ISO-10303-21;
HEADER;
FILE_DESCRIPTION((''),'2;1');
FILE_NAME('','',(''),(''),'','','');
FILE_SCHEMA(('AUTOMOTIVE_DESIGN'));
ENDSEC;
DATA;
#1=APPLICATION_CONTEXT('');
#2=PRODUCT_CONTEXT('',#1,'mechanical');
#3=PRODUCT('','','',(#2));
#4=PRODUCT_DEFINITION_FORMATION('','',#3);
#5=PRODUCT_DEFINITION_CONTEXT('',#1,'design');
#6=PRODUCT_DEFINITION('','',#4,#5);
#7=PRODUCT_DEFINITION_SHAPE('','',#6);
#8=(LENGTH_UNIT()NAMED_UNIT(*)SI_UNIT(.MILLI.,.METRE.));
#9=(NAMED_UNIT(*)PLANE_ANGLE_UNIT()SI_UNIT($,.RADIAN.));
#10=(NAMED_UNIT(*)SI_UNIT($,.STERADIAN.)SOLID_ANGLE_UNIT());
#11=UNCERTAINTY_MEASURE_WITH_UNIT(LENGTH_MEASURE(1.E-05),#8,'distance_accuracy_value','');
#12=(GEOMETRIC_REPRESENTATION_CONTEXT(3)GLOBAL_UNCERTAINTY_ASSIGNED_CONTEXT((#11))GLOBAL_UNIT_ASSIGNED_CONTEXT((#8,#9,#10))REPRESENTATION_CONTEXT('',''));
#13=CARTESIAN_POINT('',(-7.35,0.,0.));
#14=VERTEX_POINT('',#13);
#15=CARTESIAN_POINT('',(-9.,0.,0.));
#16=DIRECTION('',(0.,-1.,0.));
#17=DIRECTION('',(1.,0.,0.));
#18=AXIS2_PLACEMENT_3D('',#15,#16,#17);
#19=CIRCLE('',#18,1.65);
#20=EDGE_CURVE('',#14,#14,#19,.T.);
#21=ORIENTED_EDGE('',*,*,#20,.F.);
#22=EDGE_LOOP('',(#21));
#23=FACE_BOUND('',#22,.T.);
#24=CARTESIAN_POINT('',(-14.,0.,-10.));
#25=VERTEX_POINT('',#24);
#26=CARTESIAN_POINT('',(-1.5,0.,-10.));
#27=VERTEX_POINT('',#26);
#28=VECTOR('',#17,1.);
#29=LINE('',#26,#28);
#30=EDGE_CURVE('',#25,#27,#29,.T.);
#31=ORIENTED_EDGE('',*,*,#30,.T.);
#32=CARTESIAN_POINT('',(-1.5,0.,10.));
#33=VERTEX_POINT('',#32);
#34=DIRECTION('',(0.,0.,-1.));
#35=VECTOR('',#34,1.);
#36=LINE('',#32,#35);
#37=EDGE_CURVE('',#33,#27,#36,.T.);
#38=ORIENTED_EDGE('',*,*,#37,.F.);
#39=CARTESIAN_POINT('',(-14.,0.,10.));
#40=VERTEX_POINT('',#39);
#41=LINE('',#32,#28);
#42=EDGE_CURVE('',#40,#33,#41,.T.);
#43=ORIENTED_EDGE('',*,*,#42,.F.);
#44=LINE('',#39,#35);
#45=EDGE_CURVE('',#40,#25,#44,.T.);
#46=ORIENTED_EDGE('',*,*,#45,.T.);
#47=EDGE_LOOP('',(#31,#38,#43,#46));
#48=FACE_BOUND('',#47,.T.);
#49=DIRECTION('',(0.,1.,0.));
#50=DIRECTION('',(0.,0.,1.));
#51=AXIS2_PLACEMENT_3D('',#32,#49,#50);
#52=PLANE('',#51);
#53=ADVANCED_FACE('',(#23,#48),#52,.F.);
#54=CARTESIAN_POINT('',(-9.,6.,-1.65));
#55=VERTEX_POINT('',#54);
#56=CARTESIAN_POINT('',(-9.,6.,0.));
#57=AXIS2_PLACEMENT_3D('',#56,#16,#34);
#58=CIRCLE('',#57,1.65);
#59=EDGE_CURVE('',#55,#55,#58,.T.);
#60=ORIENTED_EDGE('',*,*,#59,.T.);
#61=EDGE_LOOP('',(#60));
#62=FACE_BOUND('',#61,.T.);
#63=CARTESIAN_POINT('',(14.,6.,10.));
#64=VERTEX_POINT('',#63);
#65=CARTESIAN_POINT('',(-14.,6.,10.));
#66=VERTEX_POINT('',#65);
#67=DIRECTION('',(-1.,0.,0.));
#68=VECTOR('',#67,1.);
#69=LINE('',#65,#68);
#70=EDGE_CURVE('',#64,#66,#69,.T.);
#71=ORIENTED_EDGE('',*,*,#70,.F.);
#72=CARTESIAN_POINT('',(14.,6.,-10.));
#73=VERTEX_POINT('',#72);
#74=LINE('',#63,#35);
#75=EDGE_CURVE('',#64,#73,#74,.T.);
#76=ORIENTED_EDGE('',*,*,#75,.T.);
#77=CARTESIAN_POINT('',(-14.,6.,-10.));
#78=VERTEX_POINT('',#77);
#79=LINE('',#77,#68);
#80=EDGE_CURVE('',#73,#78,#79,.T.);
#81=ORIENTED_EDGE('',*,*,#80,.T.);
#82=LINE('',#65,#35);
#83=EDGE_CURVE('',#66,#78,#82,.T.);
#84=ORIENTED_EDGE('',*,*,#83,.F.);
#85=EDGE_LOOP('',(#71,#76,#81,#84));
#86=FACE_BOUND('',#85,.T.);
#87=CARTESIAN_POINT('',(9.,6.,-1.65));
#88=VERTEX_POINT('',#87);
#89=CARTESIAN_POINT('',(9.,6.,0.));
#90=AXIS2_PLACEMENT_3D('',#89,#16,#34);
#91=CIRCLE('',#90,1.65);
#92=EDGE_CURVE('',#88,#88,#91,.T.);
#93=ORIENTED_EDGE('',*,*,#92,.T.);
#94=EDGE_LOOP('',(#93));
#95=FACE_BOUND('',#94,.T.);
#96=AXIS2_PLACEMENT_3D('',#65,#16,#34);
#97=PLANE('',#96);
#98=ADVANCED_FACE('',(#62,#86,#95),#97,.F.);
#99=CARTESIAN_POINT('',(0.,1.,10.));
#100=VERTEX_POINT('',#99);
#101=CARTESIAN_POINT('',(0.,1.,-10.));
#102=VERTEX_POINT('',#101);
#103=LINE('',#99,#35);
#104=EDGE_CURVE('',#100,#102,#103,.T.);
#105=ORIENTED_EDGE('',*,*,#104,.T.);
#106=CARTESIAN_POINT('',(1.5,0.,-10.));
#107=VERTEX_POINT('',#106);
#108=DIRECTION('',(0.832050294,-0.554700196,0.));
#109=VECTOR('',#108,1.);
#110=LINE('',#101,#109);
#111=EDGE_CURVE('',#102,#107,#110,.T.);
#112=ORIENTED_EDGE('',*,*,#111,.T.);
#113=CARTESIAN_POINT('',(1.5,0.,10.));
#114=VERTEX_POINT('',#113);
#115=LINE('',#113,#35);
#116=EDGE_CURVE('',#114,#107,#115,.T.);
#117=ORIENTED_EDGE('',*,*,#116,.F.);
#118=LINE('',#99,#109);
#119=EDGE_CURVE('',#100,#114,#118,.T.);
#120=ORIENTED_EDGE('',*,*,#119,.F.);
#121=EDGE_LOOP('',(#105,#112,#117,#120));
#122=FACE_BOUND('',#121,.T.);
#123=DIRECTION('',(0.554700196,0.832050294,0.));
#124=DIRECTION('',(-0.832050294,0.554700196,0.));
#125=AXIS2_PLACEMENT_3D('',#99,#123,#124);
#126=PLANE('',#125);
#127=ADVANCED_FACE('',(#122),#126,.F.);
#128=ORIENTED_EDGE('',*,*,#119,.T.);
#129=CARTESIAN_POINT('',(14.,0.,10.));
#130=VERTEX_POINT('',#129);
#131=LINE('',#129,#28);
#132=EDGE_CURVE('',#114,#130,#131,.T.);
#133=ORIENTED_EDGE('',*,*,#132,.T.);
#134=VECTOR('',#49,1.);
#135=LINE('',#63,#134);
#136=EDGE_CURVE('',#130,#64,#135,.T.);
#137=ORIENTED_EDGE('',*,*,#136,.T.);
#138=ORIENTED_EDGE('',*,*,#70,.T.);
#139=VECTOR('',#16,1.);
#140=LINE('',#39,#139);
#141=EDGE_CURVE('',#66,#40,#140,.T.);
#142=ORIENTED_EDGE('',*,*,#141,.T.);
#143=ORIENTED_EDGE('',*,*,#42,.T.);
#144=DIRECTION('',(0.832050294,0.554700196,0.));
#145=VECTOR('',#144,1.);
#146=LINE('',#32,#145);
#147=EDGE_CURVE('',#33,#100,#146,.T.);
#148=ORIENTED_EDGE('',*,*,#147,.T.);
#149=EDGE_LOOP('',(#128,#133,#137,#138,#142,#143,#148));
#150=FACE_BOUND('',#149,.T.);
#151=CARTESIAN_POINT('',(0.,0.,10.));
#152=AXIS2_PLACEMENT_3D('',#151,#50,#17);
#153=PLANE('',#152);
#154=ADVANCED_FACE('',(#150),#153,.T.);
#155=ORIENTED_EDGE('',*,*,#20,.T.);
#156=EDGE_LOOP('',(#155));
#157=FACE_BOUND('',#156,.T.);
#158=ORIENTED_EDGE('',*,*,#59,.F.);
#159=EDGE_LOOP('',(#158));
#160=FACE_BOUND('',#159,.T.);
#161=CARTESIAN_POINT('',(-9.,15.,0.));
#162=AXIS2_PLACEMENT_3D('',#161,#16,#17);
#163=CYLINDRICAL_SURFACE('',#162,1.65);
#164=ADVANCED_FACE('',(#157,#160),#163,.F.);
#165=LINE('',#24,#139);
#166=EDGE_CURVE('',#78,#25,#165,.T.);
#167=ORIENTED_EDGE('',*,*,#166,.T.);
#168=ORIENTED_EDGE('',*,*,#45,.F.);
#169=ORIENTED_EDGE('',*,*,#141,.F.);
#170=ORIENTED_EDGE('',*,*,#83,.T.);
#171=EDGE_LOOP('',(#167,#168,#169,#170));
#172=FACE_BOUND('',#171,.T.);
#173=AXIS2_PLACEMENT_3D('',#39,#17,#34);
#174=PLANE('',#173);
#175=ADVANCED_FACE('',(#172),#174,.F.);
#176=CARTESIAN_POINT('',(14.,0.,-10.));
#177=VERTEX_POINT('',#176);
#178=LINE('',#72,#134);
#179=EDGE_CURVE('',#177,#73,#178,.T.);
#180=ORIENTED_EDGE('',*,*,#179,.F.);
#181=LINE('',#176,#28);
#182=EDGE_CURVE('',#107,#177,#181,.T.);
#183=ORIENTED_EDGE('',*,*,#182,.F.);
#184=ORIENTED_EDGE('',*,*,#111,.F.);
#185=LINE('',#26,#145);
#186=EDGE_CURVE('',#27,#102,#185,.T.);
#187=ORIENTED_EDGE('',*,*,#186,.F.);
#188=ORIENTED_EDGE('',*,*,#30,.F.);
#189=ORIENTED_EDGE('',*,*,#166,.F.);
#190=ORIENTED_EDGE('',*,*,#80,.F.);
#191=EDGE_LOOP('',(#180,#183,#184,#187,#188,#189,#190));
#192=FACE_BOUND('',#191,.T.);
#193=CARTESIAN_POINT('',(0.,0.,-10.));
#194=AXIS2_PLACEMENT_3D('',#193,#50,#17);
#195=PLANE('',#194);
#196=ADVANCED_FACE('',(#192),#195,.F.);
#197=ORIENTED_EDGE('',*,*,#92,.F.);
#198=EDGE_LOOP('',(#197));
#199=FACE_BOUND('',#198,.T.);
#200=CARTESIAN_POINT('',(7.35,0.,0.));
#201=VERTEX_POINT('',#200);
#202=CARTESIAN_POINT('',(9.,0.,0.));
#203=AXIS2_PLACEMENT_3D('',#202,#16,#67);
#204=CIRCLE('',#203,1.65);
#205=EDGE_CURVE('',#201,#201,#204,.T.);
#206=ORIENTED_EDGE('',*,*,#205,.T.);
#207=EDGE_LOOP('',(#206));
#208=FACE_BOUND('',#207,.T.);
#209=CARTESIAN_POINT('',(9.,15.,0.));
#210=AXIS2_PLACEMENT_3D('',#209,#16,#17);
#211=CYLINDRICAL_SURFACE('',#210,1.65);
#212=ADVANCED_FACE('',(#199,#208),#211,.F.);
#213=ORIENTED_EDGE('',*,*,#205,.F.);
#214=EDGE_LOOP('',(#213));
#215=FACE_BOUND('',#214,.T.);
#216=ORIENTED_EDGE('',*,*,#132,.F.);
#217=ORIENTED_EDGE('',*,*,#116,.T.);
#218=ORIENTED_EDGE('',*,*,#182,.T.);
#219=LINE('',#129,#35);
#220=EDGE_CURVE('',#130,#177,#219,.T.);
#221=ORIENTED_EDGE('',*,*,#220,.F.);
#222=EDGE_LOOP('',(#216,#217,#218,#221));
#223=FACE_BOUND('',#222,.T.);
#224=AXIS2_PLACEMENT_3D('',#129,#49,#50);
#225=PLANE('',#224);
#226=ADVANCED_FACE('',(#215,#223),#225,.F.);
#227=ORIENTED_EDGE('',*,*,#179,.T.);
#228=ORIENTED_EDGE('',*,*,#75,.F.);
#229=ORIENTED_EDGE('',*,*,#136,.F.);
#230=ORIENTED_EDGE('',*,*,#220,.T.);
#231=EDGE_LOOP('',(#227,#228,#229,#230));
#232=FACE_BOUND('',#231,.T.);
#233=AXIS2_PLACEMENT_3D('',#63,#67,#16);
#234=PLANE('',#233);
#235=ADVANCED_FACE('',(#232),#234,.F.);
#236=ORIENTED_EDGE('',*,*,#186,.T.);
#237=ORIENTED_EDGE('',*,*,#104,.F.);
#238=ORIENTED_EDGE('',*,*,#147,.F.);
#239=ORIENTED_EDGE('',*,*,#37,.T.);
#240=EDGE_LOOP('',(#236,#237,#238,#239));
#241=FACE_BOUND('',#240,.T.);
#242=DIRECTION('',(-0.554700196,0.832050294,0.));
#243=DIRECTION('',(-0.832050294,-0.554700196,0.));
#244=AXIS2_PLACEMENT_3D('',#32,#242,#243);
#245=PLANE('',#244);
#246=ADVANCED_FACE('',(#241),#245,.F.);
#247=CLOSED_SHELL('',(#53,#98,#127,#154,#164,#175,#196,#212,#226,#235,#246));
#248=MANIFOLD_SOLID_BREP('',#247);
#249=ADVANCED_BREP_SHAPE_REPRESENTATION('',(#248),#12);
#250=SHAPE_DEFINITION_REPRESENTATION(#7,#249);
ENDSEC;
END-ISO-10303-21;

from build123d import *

# Parameters (mm, degrees)
RESSALTO_EXTRUS_O1_DEPTH = 10
ESBO_O2_R                = 1.65
CORTE_EXTRUS_O1_DEPTH    = 15


with BuildPart() as part:
    # Esboço1 → Ressalto-extrusão1 (new body, symmetric)
    with BuildSketch(Plane.XY):
        Polygon((-1.5, 0), (-14, 0), (-14, 6), (14, 6), (14, 0), (1.5, 0), (0, 1), align=None)
    extrude(amount=RESSALTO_EXTRUS_O1_DEPTH, both=True)

    # Esboço2 → Corte-extrusão1 (cut)
    with BuildSketch(Plane.XZ):
        with Locations((-9, 0)):
            Circle(ESBO_O2_R)
        with Locations((9, 0)):
            Circle(ESBO_O2_R)
    extrude(amount=-CORTE_EXTRUS_O1_DEPTH, mode=Mode.SUBTRACT)


solid = part.part
